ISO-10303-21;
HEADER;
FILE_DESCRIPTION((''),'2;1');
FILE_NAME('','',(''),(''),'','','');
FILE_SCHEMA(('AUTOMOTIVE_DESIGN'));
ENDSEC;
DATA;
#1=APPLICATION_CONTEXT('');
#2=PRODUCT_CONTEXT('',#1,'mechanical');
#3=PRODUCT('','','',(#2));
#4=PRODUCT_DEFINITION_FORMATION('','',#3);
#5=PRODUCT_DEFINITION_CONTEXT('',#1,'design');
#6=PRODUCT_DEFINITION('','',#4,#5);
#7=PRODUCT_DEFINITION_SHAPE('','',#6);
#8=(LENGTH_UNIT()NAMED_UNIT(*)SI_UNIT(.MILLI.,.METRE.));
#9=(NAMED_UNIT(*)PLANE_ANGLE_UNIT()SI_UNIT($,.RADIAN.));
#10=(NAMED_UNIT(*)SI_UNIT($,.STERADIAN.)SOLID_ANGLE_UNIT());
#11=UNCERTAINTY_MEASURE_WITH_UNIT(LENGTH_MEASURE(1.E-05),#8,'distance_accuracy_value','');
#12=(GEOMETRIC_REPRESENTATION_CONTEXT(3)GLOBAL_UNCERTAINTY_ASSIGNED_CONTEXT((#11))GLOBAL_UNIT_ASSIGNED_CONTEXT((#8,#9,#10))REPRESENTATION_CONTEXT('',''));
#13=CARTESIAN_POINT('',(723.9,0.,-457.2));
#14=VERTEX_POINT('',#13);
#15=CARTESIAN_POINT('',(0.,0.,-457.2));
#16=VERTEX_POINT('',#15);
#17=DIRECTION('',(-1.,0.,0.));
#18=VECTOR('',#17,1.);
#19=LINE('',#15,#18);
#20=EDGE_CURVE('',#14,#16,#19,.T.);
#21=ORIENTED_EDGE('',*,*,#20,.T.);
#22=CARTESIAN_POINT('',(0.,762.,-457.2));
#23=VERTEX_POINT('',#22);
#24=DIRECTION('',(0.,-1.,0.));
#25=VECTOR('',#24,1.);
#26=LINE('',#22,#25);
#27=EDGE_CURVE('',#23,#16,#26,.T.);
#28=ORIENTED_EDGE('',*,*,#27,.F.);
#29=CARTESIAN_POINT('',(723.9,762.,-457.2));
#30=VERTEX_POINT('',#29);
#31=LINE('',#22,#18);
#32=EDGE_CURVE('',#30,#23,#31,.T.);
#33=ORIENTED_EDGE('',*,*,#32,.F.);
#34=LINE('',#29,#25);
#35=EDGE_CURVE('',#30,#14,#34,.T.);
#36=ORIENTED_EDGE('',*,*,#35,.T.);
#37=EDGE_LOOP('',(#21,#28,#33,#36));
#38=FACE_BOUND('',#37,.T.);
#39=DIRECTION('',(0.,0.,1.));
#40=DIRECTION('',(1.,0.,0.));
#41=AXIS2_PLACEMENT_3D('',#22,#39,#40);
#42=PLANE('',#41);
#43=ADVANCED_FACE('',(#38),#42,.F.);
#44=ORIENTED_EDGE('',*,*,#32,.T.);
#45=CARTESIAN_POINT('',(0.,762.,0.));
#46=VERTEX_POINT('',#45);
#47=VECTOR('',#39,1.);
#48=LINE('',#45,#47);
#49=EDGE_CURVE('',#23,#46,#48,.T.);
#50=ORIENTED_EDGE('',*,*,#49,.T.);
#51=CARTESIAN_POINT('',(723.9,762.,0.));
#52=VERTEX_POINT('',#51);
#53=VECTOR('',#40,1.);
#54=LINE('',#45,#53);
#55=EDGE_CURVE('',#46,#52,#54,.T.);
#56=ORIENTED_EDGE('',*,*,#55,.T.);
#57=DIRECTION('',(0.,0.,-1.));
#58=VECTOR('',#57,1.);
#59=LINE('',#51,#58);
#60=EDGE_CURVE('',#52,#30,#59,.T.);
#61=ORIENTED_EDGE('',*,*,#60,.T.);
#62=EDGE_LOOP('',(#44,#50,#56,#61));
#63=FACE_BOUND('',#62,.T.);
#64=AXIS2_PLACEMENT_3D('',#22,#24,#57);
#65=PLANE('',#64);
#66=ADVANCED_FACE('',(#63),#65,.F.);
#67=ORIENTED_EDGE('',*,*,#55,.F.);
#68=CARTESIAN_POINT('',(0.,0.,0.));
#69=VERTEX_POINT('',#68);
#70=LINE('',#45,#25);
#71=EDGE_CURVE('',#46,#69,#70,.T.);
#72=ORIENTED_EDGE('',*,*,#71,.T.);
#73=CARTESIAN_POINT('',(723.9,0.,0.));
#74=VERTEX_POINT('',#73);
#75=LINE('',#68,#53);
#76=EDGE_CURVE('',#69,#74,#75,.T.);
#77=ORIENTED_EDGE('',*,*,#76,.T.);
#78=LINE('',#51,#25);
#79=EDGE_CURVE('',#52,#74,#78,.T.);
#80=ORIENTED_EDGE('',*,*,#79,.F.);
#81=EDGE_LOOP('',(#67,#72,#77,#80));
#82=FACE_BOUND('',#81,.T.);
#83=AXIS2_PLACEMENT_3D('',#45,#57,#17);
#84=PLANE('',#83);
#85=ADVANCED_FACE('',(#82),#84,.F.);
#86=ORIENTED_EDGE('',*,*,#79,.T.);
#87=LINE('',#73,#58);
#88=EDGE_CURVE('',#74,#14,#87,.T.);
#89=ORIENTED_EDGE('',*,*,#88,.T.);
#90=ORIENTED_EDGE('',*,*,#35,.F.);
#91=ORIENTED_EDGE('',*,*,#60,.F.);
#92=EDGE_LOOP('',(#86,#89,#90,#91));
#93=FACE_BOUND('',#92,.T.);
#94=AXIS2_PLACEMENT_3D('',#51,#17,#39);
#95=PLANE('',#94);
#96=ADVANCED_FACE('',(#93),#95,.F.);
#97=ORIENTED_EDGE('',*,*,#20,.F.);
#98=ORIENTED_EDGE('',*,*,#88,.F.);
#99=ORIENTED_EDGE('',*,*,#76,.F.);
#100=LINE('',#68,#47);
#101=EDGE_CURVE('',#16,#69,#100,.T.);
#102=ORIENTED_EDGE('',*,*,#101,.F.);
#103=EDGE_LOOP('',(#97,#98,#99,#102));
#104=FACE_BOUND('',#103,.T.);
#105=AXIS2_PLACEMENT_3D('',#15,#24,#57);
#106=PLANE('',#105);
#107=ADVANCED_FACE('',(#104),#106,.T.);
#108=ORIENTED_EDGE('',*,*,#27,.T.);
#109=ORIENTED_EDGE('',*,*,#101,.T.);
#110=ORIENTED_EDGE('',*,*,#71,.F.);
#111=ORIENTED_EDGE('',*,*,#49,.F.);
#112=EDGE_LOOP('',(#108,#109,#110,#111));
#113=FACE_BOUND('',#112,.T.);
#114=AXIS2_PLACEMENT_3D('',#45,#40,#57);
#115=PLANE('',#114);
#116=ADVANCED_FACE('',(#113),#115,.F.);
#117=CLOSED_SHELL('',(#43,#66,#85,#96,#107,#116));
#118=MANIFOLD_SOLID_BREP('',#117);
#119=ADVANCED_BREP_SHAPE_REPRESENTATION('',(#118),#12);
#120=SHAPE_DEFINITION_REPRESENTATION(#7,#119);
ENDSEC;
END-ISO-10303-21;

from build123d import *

# Parameters (mm, degrees)
SKETCH1_W      = 723.9
SKETCH1_H      = 457.2
EXTRUDE1_DEPTH = 762


with BuildPart() as part:
    # Sketch1 → Extrude1 (new body)
    with BuildSketch(Plane(origin=(0, 0, 0), x_dir=(1, 0, 0), z_dir=(0, 1, 0))):
        with Locations((361.95, 228.6)):
            Rectangle(SKETCH1_W, SKETCH1_H)
    extrude(amount=EXTRUDE1_DEPTH)


solid = part.part
